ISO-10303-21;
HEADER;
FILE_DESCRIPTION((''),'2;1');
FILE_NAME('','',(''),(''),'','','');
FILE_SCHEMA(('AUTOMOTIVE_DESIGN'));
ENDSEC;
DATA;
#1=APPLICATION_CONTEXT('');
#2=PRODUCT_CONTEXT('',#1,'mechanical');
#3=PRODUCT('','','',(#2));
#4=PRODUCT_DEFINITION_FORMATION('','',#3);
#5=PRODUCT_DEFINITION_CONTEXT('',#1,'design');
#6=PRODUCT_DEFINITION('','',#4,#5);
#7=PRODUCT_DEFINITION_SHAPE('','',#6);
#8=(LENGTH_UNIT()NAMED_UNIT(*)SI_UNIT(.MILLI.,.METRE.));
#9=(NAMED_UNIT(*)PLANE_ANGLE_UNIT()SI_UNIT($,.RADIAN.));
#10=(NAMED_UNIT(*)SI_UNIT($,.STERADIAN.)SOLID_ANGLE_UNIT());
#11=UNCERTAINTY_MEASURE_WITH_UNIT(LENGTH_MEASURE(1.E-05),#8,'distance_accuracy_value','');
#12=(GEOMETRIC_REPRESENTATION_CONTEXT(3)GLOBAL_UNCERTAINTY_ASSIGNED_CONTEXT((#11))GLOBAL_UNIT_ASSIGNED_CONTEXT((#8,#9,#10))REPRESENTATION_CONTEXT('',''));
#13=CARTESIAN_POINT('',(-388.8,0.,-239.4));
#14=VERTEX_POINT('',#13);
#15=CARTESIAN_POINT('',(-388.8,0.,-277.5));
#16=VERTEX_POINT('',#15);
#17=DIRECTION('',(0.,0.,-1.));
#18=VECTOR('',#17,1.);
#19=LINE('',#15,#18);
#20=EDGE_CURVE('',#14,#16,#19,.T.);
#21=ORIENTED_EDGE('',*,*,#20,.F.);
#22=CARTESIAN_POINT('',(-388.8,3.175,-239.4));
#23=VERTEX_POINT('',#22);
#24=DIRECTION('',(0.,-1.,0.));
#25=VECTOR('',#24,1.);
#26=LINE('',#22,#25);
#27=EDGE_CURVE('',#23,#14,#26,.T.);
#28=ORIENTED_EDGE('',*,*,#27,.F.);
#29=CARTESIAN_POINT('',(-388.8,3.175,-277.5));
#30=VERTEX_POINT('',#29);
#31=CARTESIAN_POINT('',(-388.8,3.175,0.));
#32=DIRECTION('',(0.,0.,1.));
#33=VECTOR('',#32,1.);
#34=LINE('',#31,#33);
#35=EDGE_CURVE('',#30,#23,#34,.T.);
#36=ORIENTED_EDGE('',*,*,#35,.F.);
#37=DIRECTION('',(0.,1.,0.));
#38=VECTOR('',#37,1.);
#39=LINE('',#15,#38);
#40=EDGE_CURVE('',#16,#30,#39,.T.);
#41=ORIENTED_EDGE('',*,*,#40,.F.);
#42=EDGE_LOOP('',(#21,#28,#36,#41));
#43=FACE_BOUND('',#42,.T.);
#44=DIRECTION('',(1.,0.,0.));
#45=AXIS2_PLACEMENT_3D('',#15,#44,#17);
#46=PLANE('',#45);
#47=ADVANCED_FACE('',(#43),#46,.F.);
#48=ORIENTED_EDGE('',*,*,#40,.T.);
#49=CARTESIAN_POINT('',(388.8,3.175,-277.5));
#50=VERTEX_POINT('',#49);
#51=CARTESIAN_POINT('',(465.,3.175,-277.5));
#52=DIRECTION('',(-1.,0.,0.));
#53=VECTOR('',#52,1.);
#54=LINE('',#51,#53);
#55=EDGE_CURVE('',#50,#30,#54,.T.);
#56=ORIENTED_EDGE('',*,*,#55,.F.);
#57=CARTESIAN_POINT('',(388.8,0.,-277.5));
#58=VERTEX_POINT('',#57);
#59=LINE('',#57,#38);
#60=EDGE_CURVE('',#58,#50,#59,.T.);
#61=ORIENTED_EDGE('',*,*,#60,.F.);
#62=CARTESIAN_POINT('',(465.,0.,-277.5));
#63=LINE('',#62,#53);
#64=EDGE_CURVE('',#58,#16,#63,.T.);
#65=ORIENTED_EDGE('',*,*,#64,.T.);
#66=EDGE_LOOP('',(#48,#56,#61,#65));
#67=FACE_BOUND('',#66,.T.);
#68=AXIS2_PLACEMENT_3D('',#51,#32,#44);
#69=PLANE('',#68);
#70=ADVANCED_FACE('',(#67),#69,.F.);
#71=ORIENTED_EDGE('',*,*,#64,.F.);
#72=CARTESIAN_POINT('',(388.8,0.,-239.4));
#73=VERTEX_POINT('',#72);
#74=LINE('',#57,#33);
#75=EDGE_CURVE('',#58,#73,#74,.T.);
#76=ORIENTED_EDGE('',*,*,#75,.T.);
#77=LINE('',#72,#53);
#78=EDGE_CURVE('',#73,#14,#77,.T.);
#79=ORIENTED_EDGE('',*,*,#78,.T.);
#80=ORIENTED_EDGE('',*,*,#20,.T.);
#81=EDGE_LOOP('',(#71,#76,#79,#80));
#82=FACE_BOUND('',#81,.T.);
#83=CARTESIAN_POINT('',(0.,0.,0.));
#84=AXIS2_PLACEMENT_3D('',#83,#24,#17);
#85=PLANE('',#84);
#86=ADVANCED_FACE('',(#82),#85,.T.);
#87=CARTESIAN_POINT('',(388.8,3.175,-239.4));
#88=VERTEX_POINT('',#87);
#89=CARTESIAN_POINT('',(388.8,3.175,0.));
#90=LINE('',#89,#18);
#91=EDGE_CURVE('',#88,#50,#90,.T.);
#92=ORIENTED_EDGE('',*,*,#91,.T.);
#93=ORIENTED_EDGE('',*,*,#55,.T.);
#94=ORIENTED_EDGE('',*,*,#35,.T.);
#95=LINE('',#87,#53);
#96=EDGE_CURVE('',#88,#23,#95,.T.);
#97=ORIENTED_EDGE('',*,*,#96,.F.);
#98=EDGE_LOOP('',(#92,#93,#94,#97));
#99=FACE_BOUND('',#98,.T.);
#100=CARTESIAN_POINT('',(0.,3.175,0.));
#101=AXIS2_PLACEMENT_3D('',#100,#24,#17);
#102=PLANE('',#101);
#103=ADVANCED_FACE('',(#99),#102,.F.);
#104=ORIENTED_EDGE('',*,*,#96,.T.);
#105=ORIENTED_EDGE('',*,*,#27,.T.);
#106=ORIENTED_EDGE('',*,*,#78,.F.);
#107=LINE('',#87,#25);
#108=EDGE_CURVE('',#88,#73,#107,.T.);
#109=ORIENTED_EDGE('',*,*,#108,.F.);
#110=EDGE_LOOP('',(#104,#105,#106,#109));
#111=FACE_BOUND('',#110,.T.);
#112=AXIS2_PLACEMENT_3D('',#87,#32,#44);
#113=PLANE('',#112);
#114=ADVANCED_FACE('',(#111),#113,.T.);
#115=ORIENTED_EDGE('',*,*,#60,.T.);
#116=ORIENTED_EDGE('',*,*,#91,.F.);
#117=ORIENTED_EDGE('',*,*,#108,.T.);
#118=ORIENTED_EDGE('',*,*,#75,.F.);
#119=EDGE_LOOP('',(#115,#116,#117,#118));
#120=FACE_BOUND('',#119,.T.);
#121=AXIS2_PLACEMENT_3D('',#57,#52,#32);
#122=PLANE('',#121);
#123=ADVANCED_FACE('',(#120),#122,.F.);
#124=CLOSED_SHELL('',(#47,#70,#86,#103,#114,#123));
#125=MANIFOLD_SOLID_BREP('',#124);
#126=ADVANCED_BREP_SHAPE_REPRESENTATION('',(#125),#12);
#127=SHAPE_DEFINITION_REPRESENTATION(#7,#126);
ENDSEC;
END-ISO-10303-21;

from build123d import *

# Parameters (mm, degrees)
SKETCH1_W               = 930
SKETCH1_H               = 555
SKETCH1_W_2             = 777.6
SKETCH1_H_2             = 478.8
BOSS_EXTRUDE2_DEPTH     = 3.175
CUT_EXTRUDE1_DEPTH      = 542.517618019
CUT_EXTRUDE1_DEPTH_BACK = 542.517618019


with BuildPart() as part:
    # Sketch1 → Boss-Extrude2 (new body)
    with BuildSketch(Plane(origin=(0, 0, 0), x_dir=(1, 0, 0), z_dir=(0, 1, 0))):
        Rectangle(SKETCH1_W, SKETCH1_H)
        Rectangle(SKETCH1_W_2, SKETCH1_H_2, mode=Mode.SUBTRACT)
    extrude(amount=BOSS_EXTRUDE2_DEPTH)

    # Sketch2 → Cut-Extrude1 (cut, two sides: drawn at the far end of the back side and taken through both)
    with BuildSketch(Plane(origin=(0, 3.175, 0), x_dir=(1, 0, 0), z_dir=(0, 1, 0)).offset(-CUT_EXTRUDE1_DEPTH_BACK)):
        Polygon((-465, 277.5), (-388.8, 277.5), (-388.8, -239.4), (388.8, -239.4), (388.8, 277.5), (465, 277.5), (465, -277.5), (414.2, -277.5), (-414.2, -277.5), (-465, -277.5), align=None)
    extrude(amount=CUT_EXTRUDE1_DEPTH + CUT_EXTRUDE1_DEPTH_BACK, mode=Mode.SUBTRACT)


solid = part.part
